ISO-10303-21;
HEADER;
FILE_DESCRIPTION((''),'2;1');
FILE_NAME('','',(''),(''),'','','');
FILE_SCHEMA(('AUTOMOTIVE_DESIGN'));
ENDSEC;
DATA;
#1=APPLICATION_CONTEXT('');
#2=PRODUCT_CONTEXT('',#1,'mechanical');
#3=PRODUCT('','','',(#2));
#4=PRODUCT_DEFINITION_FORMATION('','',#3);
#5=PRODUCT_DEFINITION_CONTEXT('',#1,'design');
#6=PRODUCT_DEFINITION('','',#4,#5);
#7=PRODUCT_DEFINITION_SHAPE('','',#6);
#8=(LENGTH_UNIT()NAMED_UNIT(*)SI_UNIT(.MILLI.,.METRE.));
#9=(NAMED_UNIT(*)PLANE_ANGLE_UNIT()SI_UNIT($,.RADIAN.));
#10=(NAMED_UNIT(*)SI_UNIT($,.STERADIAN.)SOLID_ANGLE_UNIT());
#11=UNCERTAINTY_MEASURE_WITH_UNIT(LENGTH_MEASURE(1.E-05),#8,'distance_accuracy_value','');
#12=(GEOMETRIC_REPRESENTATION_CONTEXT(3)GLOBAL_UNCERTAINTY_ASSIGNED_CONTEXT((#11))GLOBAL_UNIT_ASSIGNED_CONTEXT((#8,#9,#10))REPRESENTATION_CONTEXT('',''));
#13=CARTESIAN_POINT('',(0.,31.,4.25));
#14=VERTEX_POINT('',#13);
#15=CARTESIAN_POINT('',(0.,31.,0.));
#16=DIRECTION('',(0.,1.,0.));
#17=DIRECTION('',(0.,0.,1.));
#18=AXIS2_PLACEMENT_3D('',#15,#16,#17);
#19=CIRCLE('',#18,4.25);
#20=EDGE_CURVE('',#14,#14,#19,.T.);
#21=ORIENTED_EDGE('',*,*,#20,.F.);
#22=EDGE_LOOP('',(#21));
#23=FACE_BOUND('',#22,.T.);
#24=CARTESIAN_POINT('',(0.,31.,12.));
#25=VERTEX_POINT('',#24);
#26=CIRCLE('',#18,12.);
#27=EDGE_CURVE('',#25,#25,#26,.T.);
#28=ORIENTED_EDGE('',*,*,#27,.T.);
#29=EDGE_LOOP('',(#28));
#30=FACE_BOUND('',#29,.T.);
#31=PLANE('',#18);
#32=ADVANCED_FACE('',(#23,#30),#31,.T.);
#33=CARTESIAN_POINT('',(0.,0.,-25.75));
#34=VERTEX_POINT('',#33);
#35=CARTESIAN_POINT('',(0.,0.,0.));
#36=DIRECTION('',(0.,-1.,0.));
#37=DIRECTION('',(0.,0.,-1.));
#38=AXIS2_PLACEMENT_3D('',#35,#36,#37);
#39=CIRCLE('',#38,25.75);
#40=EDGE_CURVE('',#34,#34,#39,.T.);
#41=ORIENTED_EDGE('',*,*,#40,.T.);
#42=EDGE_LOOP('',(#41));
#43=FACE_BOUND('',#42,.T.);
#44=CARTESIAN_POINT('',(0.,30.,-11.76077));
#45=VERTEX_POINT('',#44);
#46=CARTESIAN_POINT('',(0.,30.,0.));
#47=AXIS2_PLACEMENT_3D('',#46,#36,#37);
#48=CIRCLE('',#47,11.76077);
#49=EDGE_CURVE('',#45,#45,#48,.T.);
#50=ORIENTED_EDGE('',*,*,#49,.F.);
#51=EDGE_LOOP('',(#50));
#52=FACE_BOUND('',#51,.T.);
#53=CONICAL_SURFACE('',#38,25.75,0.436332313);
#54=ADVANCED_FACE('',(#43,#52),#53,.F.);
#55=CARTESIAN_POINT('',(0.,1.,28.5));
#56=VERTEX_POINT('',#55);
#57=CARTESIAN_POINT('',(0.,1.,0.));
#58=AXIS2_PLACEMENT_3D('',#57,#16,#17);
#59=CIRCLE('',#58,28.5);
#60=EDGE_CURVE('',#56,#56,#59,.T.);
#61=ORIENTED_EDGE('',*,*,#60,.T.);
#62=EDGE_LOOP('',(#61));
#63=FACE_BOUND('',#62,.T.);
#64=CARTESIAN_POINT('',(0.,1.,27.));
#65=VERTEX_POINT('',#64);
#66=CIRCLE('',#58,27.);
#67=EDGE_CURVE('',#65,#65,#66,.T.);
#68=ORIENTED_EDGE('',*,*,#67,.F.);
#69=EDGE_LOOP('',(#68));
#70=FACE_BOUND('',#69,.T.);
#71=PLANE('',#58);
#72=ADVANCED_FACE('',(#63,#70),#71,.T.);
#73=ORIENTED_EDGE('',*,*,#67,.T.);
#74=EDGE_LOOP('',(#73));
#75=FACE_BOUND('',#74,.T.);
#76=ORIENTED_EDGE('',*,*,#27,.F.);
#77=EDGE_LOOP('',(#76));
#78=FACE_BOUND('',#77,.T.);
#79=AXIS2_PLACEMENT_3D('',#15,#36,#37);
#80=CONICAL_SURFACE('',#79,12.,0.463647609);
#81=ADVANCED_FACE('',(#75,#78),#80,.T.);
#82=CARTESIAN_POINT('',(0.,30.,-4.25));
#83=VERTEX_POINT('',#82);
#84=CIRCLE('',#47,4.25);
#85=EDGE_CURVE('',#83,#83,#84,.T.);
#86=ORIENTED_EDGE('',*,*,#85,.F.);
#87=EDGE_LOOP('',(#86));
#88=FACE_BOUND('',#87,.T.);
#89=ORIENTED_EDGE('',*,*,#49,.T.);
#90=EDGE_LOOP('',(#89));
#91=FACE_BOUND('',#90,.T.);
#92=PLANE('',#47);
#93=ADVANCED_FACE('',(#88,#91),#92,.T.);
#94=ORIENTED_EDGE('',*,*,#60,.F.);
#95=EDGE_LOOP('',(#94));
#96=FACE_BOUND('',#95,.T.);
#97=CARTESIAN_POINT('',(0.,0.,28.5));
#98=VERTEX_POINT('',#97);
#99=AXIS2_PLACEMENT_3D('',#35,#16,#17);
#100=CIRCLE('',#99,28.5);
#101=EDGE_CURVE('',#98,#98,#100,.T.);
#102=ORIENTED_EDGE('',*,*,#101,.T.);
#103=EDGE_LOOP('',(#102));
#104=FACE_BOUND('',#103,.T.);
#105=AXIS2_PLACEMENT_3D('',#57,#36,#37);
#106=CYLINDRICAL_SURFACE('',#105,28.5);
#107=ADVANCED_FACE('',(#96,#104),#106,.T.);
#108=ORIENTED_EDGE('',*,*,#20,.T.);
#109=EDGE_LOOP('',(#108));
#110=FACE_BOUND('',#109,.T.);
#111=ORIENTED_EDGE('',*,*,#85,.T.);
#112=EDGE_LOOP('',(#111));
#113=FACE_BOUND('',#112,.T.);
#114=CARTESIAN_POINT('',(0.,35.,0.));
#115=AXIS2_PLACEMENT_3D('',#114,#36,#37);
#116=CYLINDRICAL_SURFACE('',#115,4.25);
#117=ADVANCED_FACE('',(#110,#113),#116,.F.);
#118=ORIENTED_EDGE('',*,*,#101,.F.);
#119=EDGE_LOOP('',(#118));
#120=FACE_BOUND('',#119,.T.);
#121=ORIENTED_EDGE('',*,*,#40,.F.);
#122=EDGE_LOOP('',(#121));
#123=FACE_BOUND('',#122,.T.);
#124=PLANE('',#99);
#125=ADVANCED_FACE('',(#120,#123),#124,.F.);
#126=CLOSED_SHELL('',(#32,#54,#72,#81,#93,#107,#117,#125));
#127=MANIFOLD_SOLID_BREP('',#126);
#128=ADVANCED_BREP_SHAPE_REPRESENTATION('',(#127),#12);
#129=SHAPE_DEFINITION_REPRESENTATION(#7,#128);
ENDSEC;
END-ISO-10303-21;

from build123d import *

# Parameters (mm, degrees)
SKETCH1_R           = 28.5
BOSS_EXTRUDE1_DEPTH = 1
SKETCH8_R           = 27
SKETCH3_R           = 12
SKETCH9_R           = 25.75
CUT_EXTRUDE1_DEPTH  = 30
CUT_EXTRUDE1_DRAFT  = -25
SKETCH10_R          = 4.25
CUT_EXTRUDE2_DEPTH  = 5


with BuildPart() as part:
    # Sketch1 → Boss-Extrude1 (new body)
    with BuildSketch(Plane(origin=(0, 0, 0), x_dir=(1, 0, 0), z_dir=(0, 1, 0))):
        with Locations(Location((0, 0, 0), (0, 0, 270))):
            Circle(SKETCH1_R)
    extrude(amount=BOSS_EXTRUDE1_DEPTH)

    # Sketch8 → Loft2 section 0
    with BuildSketch(Plane(origin=(0, 1, 0), x_dir=(1, 0, 0), z_dir=(0, 1, 0))):
        Circle(SKETCH8_R)
    # Sketch3 → Loft2 section 1
    with BuildSketch(Plane(origin=(0, 31, 0), x_dir=(1, 0, 0), z_dir=(0, 1, 0))):
        Circle(SKETCH3_R)
    loft()


with BuildPart() as cut_extrude1_tool:
    # Sketch9 → Cut-Extrude1 (with draft: the straight prism first)
    with BuildSketch(Plane.XZ):
        Circle(SKETCH9_R)
    extrude(amount=-CUT_EXTRUDE1_DEPTH)
    # Cut-Extrude1: the draft: its side faces are tilted about the plane it starts from
    cut_extrude1_sides = [cut_extrude1_tool.faces().sort_by_distance(p)[0] for p in [
        (-25.75, 15, 0),
    ]]
    draft(cut_extrude1_sides, Plane.XZ, CUT_EXTRUDE1_DRAFT)


with BuildPart() as part_1:
    add(part.part)

    # Cut-Extrude1: cut by cut_extrude1_tool
    add(cut_extrude1_tool.part, mode=Mode.SUBTRACT)

    # Sketch10 → Cut-Extrude2 (cut)
    with BuildSketch(Plane.XZ.offset(-30)):
        with Locations(Location((0, 0, 0), (0, 0, 270))):
            Circle(SKETCH10_R)
    extrude(amount=-CUT_EXTRUDE2_DEPTH, mode=Mode.SUBTRACT)


solid = part_1.part
